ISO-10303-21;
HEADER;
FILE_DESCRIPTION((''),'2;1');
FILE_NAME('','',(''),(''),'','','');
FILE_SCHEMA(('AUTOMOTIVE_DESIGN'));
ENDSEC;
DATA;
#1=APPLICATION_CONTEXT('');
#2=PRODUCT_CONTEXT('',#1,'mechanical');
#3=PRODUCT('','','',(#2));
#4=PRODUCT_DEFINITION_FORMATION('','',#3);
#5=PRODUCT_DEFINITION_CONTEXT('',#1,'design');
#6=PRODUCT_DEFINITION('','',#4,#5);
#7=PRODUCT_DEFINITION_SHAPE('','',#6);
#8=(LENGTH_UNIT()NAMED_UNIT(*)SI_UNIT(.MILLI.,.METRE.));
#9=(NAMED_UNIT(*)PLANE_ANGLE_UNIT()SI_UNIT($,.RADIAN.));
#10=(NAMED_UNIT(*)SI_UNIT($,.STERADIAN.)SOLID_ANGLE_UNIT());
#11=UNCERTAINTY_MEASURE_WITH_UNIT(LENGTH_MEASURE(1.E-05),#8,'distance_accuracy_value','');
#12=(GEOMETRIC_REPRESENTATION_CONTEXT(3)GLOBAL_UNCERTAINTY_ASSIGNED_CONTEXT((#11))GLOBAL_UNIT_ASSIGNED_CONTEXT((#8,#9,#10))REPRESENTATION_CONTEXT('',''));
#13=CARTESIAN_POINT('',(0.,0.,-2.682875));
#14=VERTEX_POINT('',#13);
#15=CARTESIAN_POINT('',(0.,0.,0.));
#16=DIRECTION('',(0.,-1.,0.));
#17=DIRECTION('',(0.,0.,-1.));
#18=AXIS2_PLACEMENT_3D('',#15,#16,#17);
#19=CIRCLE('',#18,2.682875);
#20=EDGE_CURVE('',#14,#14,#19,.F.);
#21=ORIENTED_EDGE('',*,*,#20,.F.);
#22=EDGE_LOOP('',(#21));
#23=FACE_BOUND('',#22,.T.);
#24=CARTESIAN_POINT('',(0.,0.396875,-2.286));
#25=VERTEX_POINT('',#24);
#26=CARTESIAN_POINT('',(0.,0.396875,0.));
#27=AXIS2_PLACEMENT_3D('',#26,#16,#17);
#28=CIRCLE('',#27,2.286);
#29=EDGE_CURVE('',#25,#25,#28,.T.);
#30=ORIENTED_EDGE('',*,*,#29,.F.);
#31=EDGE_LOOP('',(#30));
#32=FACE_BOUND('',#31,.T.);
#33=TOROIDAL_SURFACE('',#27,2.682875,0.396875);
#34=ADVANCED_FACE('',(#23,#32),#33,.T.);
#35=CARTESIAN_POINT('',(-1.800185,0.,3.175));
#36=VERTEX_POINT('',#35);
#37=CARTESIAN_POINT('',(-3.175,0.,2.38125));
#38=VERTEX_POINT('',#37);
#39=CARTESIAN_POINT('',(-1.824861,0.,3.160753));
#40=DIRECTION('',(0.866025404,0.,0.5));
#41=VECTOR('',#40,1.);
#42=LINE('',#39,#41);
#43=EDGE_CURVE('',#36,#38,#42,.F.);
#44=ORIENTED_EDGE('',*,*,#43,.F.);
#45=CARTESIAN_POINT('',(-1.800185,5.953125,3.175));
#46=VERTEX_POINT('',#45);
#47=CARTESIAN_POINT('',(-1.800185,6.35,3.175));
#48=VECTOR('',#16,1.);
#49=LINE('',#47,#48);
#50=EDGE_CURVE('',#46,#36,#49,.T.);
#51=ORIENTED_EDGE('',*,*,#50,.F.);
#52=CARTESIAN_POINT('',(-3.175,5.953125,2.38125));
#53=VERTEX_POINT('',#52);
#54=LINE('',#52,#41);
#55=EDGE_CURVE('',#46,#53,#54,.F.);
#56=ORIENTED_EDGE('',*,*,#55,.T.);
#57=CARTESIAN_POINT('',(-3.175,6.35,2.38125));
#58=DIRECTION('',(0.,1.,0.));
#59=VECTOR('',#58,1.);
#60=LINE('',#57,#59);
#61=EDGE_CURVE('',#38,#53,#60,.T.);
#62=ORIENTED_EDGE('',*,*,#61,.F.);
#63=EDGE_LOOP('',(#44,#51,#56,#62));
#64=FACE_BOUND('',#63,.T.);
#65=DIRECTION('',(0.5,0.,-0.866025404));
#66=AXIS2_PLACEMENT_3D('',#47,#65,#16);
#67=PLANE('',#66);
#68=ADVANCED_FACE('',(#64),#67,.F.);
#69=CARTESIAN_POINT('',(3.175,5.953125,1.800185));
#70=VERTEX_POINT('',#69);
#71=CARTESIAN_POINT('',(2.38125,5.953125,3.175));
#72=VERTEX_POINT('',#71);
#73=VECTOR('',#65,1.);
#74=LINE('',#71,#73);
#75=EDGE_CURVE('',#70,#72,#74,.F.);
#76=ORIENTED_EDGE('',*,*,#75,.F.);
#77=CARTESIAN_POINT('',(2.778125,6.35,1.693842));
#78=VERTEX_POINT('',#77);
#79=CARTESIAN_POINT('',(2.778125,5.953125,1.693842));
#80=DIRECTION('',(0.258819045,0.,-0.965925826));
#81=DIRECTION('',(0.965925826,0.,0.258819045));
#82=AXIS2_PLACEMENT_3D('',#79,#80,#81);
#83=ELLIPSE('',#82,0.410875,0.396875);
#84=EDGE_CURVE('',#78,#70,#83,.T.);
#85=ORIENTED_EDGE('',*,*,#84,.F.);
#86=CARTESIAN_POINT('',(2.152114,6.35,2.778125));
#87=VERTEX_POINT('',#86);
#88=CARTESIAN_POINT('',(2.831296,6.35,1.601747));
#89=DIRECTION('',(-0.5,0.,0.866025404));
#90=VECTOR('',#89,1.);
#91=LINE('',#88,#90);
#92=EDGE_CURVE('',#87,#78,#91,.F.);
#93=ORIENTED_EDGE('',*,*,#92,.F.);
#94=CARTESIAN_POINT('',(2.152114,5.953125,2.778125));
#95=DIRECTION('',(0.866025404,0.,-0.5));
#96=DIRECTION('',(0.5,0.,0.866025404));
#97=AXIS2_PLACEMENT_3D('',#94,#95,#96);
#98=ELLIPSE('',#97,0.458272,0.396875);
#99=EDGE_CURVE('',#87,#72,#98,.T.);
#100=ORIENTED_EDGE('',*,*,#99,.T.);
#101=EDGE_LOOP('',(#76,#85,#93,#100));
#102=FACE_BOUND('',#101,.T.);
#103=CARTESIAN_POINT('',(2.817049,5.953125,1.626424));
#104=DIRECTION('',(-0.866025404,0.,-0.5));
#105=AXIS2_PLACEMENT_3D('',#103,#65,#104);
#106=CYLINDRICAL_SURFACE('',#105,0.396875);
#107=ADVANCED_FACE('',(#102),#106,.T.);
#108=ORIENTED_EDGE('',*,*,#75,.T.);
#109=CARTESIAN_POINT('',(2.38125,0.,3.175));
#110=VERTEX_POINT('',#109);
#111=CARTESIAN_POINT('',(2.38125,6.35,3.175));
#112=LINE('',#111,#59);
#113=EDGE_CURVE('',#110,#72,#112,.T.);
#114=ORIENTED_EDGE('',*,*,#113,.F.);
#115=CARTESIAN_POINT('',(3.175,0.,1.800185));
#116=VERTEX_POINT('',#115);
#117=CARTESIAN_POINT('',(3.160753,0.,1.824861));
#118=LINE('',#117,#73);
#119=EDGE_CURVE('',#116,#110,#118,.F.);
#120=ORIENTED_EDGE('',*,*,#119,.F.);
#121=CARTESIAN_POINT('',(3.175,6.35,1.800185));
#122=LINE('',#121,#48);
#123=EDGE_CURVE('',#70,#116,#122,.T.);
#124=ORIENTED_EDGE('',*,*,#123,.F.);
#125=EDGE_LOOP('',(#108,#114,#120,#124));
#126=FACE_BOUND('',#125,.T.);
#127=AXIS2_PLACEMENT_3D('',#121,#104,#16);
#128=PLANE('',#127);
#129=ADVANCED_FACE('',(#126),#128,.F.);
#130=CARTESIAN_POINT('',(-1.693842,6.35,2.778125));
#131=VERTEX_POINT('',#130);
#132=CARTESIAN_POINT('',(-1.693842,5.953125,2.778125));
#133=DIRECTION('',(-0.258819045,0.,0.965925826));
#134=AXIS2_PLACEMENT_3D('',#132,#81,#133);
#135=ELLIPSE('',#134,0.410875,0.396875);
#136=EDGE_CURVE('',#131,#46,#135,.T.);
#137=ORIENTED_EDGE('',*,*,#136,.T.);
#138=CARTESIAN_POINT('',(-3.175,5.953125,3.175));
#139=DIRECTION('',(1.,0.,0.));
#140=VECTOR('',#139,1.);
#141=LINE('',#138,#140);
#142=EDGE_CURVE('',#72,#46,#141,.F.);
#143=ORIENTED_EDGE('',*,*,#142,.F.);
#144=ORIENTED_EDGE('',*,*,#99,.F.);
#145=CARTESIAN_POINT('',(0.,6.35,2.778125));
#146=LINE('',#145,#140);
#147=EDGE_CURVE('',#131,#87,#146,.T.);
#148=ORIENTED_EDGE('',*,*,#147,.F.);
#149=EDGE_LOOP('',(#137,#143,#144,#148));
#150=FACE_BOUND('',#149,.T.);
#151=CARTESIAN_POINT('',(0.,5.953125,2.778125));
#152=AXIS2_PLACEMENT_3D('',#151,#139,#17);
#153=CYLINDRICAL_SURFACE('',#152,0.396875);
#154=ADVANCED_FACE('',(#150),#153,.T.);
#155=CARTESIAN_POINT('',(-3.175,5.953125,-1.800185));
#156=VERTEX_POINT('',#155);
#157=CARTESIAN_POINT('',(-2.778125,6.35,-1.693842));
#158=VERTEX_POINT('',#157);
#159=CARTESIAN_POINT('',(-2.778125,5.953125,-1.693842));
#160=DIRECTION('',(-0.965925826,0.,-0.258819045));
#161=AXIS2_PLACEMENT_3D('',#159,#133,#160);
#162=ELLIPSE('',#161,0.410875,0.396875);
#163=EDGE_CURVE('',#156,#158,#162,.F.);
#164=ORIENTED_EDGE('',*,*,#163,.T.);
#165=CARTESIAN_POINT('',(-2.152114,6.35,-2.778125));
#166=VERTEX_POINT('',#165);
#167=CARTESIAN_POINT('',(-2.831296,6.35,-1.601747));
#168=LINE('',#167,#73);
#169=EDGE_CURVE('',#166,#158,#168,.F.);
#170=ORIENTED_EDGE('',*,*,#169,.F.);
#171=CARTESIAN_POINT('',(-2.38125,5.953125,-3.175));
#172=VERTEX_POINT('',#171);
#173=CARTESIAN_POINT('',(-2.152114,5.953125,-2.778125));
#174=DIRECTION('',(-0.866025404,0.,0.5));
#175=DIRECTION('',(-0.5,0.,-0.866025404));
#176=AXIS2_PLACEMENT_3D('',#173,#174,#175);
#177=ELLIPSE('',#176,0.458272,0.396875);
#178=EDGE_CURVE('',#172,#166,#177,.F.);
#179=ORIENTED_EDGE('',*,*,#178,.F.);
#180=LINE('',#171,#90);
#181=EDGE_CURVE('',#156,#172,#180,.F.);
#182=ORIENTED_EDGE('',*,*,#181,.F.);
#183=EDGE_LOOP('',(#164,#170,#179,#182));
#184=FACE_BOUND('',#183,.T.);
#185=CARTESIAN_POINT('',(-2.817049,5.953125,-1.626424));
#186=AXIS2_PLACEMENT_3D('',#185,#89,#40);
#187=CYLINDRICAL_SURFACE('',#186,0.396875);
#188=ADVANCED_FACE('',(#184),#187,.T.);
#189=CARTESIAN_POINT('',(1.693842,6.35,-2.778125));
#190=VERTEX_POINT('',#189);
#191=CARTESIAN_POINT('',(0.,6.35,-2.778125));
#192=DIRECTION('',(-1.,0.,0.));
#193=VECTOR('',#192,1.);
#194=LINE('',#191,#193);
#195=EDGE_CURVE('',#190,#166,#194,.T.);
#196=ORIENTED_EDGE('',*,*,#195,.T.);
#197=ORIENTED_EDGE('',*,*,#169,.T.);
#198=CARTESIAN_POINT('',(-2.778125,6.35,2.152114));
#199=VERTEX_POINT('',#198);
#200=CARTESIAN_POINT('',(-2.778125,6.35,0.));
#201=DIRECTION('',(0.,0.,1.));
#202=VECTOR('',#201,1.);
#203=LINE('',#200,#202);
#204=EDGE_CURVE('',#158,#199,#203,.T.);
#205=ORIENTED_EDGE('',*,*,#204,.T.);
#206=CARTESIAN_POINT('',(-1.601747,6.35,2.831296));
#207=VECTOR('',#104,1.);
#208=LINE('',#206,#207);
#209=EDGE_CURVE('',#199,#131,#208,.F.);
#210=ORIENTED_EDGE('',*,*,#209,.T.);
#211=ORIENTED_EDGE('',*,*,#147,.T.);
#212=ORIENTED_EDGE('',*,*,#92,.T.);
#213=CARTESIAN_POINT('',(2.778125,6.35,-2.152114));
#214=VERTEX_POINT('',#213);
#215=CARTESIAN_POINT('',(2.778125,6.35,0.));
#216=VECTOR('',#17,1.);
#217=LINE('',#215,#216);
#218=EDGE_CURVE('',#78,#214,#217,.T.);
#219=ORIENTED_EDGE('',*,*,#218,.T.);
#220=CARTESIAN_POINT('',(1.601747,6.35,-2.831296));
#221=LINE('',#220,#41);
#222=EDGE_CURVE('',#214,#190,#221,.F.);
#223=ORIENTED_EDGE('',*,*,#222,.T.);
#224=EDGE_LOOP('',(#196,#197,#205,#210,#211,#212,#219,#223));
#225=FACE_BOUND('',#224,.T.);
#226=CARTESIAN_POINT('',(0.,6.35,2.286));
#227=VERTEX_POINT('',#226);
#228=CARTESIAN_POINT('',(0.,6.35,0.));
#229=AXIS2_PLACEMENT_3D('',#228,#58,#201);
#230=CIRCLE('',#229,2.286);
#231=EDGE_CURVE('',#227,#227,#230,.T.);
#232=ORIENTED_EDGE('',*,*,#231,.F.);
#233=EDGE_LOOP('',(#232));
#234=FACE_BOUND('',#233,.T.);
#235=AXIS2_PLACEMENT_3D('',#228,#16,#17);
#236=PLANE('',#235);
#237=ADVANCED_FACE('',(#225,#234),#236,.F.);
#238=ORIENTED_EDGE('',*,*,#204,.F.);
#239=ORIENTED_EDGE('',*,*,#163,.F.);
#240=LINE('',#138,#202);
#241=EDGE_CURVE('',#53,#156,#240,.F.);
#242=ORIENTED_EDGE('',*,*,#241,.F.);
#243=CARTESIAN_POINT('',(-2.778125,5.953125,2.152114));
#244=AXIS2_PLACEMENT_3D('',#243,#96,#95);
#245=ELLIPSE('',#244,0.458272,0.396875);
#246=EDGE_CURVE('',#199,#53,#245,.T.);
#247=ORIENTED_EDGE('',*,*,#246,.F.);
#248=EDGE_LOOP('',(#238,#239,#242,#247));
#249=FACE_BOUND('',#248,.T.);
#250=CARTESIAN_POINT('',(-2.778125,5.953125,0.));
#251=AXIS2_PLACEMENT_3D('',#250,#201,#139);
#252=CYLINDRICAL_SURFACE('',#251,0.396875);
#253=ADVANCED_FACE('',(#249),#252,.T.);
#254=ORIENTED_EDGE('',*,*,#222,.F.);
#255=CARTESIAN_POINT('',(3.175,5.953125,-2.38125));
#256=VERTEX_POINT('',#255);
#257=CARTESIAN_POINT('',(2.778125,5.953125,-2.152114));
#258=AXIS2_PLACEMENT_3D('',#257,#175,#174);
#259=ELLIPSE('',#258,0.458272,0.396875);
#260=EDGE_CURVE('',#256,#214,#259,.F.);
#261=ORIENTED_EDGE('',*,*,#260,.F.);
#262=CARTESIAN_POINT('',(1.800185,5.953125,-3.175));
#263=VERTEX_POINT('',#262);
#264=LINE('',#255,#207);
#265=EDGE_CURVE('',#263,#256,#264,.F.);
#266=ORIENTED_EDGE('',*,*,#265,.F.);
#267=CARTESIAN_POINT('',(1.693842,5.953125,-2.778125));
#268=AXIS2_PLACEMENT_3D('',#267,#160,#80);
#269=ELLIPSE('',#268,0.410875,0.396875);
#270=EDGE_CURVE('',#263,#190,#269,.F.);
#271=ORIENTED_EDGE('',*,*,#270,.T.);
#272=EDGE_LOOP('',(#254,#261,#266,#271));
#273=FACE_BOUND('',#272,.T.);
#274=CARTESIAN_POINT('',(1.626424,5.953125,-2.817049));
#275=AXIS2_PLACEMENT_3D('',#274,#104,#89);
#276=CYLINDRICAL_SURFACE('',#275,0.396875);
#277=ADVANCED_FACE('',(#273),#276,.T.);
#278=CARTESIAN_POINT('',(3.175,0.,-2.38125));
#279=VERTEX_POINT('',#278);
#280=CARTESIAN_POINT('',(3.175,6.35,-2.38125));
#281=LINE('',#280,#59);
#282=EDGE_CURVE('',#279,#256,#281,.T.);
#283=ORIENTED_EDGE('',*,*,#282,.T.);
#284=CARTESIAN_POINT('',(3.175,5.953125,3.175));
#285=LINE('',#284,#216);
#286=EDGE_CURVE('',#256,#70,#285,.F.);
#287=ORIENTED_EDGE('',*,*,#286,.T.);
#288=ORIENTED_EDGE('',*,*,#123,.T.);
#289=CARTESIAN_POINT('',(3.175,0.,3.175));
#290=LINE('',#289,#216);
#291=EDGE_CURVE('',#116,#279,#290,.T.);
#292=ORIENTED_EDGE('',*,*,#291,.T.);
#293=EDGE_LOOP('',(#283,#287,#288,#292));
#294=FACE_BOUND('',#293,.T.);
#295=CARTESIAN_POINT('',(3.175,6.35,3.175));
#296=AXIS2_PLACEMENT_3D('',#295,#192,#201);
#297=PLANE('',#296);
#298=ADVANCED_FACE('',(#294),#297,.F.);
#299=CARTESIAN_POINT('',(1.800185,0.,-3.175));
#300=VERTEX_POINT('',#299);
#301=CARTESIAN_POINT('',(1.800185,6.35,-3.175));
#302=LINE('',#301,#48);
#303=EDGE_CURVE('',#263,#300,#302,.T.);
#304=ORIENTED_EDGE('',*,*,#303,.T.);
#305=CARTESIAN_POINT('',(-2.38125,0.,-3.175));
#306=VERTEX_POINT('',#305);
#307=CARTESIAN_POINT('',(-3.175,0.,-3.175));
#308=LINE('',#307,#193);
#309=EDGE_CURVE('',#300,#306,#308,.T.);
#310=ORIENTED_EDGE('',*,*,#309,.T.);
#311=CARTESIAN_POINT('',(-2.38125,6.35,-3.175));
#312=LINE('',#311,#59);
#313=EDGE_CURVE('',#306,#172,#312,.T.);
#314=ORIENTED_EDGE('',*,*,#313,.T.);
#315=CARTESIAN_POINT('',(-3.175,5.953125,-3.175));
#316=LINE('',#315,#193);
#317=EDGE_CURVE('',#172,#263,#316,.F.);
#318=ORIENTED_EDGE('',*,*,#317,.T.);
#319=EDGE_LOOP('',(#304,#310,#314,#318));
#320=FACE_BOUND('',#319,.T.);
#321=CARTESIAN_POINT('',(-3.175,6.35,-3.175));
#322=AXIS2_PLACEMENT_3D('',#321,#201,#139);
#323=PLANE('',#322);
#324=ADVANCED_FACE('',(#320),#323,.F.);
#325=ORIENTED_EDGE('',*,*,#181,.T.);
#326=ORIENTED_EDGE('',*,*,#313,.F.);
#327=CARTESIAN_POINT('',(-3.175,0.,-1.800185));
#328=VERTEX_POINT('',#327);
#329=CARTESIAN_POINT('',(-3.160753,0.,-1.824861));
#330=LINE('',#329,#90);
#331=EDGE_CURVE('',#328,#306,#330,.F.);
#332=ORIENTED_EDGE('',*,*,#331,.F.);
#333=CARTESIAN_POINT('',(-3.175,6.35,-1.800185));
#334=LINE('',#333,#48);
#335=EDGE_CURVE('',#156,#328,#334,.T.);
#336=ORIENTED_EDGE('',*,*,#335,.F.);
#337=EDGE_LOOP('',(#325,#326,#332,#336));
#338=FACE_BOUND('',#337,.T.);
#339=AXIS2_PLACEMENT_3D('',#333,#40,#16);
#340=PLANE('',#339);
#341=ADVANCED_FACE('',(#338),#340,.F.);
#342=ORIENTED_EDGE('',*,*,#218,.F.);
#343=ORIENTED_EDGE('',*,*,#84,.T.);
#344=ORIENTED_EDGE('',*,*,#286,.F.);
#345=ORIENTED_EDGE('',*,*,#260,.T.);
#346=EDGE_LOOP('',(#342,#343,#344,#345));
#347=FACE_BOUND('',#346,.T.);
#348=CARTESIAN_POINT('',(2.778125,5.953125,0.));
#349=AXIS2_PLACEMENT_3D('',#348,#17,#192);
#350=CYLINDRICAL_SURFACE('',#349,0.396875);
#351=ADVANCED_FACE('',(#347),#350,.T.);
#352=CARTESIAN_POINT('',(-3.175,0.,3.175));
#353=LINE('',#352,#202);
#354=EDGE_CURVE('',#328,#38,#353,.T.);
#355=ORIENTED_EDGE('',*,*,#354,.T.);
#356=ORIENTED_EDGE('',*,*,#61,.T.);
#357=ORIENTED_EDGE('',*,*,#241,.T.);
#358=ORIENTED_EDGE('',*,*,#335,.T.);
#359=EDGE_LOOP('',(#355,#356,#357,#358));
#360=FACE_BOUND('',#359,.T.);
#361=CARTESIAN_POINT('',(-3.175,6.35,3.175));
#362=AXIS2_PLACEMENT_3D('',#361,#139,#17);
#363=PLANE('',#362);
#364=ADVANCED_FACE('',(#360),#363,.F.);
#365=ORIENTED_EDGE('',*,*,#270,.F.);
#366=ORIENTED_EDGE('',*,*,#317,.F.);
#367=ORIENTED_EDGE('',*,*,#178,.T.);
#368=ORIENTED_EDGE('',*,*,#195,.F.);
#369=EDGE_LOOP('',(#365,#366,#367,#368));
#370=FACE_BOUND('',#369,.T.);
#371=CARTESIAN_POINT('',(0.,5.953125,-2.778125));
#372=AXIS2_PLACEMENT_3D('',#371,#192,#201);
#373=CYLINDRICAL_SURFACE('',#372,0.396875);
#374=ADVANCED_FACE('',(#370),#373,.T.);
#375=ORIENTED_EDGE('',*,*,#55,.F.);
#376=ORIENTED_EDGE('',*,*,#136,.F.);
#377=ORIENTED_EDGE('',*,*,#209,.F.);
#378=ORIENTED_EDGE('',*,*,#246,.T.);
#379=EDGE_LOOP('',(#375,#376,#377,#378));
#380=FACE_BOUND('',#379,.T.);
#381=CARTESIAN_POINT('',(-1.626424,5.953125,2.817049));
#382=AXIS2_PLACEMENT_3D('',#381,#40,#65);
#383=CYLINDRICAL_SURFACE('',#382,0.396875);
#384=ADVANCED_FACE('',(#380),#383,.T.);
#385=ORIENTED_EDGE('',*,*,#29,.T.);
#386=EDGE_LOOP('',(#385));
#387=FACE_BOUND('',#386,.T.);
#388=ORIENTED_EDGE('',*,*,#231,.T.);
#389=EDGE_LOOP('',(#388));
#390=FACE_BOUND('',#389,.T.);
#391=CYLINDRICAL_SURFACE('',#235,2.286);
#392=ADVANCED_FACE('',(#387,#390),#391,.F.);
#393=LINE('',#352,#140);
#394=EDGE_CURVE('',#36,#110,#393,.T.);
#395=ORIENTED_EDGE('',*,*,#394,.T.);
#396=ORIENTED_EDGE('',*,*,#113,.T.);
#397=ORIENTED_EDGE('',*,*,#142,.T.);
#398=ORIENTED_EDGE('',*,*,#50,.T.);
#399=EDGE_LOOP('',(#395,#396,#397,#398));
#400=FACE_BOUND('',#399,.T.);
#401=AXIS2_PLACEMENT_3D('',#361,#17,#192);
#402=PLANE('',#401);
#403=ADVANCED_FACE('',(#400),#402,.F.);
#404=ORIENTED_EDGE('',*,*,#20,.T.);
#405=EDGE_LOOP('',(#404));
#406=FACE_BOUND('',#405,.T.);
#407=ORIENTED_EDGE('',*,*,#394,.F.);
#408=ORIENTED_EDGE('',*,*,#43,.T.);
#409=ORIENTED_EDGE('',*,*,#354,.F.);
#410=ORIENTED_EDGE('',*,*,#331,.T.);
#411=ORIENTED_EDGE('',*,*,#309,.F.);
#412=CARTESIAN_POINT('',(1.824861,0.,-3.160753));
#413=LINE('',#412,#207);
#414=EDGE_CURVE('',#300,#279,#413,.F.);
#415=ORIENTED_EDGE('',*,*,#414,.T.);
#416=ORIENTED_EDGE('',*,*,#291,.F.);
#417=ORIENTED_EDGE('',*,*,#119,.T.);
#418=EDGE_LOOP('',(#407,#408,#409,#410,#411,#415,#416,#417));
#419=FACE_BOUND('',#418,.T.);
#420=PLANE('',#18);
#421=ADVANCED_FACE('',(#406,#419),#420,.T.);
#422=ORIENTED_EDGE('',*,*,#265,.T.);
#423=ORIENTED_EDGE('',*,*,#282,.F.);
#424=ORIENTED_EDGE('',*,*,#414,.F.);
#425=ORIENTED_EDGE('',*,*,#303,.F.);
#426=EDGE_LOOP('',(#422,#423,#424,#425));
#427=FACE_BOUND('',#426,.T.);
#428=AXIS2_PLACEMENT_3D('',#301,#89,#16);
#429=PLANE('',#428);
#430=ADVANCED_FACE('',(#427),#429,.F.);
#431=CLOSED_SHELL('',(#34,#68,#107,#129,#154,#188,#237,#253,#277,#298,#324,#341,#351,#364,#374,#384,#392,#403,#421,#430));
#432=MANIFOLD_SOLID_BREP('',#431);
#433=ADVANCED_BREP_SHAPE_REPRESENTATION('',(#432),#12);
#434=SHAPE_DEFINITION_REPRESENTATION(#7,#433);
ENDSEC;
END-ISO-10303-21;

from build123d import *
from OCP.BRepFilletAPI import BRepFilletAPI_MakeChamfer

# Parameters (mm, degrees)
SKETCH1_W           = 6.35
SKETCH1_H           = 6.35
SKETCH1_R           = 2.286
BOSS_EXTRUDE1_DEPTH = 6.35
CHAMFER1_SIZE       = 0.79375
CHAMFER1_SIZE2      = 1.374815329
FILLET1_R           = 0.396875
FILLET2_R           = 0.396875


with BuildPart() as part:
    # Sketch1 → Boss-Extrude1 (new body)
    with BuildSketch(Plane(origin=(0, 0, 0), x_dir=(1, 0, 0), z_dir=(0, 1, 0))):
        Rectangle(SKETCH1_W, SKETCH1_H)
        with Locations(Location((0, 0, 0), (0, 0, 270))):
            Circle(SKETCH1_R, mode=Mode.SUBTRACT)
    extrude(amount=BOSS_EXTRUDE1_DEPTH)

    # Chamfer1: one chamfer whose edges measure the first distance from different faces: ONE call of the kernel's chamfer builder (chamfer() names one face for all edges)
    chamfer1_edges_1 = [part.edges().sort_by_distance(p)[0] for p in [
        (3.175, 3.175, 3.175),
    ]]
    chamfer1_side_1 = [part.faces().sort_by_distance(p)[0] for p in [
        (0, 3.175, 3.175),
    ]]
    chamfer1_edges_2 = [part.edges().sort_by_distance(p)[0] for p in [
        (-3.175, 3.175, 3.175),
    ]]
    chamfer1_side_2 = [part.faces().sort_by_distance(p)[0] for p in [
        (-3.175, 3.175, 0),
    ]]
    chamfer1_edges_3 = [part.edges().sort_by_distance(p)[0] for p in [
        (-3.175, 3.175, -3.175),
    ]]
    chamfer1_side_3 = [part.faces().sort_by_distance(p)[0] for p in [
        (0, 3.175, -3.175),
    ]]
    chamfer1_edges_4 = [part.edges().sort_by_distance(p)[0] for p in [
        (3.175, 3.175, -3.175),
    ]]
    chamfer1_side_4 = [part.faces().sort_by_distance(p)[0] for p in [
        (3.175, 3.175, 0),
    ]]
    chamfer1 = BRepFilletAPI_MakeChamfer(part.part.solid().wrapped)
    for e in chamfer1_edges_1:
        chamfer1.Add(CHAMFER1_SIZE, CHAMFER1_SIZE2, e.wrapped, chamfer1_side_1[0].wrapped)  # the first distance lies on this face
    for e in chamfer1_edges_2:
        chamfer1.Add(CHAMFER1_SIZE, CHAMFER1_SIZE2, e.wrapped, chamfer1_side_2[0].wrapped)  # the first distance lies on this face
    for e in chamfer1_edges_3:
        chamfer1.Add(CHAMFER1_SIZE, CHAMFER1_SIZE2, e.wrapped, chamfer1_side_3[0].wrapped)  # the first distance lies on this face
    for e in chamfer1_edges_4:
        chamfer1.Add(CHAMFER1_SIZE, CHAMFER1_SIZE2, e.wrapped, chamfer1_side_4[0].wrapped)  # the first distance lies on this face
    add(Compound.cast(chamfer1.Shape()), mode=Mode.REPLACE)

    # Fillet1
    fillet1_edges = [part.edges().sort_by_distance(p)[0] for p in [
        (-3.175, 6.35, 0.290532664),
        (-0.290532664, 6.35, -3.175),
        (3.175, 6.35, -0.290532664),
        (0.290532664, 6.35, 3.175),
        (-2.487592336, 6.35, 2.778125),
        (2.778125, 6.35, 2.487592336),
        (2.487592336, 6.35, -2.778125),
        (-2.778125, 6.35, -2.487592336),
    ]]
    fillet(fillet1_edges, radius=FILLET1_R)

    # Fillet2
    fillet2_edges = [part.edges().sort_by_distance(p)[0] for p in [
        (0, 0, -2.286),
    ]]
    fillet(fillet2_edges, radius=FILLET2_R)


solid = part.part
